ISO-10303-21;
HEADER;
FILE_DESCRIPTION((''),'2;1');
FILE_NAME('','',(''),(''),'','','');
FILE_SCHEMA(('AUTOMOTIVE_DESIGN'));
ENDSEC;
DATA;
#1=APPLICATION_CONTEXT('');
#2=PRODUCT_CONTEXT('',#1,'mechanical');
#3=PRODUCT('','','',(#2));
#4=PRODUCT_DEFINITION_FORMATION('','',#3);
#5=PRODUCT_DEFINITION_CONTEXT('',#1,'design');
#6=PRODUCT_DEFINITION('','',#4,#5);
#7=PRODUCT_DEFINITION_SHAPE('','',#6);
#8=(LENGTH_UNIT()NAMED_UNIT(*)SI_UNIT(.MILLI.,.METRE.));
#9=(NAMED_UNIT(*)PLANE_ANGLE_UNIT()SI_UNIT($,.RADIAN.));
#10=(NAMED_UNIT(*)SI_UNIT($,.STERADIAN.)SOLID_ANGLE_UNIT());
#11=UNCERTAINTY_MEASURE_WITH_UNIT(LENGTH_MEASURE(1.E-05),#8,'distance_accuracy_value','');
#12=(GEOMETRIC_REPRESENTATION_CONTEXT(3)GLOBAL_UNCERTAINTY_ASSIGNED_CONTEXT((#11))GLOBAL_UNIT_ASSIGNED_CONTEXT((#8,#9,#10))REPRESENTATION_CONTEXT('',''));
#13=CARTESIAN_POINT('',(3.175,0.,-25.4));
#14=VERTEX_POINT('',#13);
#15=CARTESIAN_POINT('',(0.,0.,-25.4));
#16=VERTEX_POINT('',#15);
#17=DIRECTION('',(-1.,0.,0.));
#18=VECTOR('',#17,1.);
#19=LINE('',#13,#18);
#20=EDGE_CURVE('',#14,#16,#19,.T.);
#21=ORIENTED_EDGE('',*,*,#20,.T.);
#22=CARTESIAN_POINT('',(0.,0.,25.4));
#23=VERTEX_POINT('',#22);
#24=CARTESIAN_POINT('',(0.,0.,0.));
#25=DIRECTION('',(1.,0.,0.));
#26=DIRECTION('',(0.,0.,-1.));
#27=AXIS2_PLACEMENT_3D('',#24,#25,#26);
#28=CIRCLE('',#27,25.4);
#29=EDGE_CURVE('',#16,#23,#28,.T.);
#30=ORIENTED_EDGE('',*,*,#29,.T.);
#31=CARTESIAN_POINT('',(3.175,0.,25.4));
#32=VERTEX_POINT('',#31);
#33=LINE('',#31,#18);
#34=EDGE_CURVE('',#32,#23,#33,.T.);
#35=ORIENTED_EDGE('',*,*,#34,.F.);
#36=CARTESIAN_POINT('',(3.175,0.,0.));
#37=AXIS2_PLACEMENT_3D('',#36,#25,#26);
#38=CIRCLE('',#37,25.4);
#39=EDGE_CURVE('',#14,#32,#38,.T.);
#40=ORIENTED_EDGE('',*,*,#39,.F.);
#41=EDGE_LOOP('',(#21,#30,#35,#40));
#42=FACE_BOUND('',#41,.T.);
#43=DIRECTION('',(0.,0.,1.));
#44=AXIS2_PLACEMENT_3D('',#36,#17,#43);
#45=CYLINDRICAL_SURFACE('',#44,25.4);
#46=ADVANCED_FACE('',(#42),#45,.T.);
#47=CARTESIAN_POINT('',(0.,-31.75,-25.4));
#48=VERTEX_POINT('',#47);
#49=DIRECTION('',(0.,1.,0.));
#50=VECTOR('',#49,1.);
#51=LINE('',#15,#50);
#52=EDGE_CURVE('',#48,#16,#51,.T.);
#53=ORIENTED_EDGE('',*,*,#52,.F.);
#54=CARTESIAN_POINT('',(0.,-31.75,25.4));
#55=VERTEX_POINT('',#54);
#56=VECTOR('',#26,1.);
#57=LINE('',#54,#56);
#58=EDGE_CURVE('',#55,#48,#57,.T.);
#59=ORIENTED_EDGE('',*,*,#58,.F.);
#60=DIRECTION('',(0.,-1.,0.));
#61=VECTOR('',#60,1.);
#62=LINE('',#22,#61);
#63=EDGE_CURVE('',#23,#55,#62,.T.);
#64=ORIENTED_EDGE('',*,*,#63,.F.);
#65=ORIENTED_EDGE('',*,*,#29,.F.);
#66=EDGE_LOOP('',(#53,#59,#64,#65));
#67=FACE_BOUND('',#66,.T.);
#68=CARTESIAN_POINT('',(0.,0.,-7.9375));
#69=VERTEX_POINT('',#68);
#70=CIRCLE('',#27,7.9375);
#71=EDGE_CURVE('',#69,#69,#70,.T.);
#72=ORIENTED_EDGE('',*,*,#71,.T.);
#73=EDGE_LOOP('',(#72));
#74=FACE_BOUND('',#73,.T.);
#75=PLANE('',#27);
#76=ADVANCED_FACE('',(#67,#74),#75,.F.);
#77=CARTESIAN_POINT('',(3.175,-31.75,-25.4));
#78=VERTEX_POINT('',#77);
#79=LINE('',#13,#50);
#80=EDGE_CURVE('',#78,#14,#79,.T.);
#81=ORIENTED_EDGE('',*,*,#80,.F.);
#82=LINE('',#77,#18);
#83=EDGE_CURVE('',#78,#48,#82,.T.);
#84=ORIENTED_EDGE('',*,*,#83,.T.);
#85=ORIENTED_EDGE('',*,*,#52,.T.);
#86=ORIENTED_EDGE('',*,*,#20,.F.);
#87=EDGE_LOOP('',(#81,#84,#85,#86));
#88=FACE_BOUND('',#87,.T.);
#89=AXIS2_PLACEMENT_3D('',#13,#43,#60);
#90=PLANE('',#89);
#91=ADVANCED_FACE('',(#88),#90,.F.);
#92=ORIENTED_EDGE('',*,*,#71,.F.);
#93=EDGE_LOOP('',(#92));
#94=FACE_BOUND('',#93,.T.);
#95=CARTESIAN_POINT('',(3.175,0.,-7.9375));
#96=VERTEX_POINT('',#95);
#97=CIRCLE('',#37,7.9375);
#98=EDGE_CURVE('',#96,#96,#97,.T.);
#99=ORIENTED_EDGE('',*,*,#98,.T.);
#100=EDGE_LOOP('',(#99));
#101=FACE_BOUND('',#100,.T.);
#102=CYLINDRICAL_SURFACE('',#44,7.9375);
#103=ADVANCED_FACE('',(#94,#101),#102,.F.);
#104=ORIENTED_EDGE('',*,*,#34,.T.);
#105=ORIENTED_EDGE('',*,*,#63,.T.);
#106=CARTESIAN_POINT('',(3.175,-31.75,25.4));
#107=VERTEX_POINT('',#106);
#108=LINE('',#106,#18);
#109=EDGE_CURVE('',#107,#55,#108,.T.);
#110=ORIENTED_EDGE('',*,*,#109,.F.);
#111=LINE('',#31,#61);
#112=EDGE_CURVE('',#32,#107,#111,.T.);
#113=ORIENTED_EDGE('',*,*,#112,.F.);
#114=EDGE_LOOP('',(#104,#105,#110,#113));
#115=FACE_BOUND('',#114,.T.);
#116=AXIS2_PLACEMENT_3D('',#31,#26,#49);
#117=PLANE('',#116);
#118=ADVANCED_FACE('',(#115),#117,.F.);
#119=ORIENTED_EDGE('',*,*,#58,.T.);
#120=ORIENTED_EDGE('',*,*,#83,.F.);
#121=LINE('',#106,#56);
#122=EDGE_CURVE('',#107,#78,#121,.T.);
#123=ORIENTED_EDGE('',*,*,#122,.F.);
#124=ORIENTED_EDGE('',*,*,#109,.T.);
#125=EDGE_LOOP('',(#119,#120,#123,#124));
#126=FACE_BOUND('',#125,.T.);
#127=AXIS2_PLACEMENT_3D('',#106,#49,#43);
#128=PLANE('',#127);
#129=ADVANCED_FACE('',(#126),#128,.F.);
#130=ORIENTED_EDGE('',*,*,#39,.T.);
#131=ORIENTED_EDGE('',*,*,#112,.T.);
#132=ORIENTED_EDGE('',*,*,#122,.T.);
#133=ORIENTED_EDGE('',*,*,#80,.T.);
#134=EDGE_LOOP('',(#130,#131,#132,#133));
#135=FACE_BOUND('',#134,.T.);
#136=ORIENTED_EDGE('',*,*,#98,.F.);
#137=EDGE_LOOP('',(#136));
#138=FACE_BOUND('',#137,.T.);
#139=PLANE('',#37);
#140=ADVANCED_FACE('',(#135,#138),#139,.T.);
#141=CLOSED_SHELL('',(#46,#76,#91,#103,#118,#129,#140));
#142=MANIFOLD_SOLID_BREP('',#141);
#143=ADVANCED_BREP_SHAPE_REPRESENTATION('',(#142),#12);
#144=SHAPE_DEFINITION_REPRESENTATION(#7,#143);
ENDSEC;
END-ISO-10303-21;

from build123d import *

# Parameters (mm, degrees)
SKETCH1_R           = 7.9375
BOSS_EXTRUDE3_DEPTH = 3.175


with BuildPart() as part:
    # Sketch1 → Boss-Extrude3 (new body)
    with BuildSketch(Plane(origin=(0, 0, 0), x_dir=(0, 0, -1), z_dir=(1, 0, 0))):
        with BuildLine():
            Line((-25.4, 0), (-25.4, -31.75))
            Line((-25.4, -31.75), (25.4, -31.75))
            Line((25.4, -31.75), (25.4, 0))
            ThreePointArc((25.4, 0), (0, 25.4), (-25.4, 0))
        make_face()
        Circle(SKETCH1_R, mode=Mode.SUBTRACT)
    extrude(amount=BOSS_EXTRUDE3_DEPTH)


solid = part.part
